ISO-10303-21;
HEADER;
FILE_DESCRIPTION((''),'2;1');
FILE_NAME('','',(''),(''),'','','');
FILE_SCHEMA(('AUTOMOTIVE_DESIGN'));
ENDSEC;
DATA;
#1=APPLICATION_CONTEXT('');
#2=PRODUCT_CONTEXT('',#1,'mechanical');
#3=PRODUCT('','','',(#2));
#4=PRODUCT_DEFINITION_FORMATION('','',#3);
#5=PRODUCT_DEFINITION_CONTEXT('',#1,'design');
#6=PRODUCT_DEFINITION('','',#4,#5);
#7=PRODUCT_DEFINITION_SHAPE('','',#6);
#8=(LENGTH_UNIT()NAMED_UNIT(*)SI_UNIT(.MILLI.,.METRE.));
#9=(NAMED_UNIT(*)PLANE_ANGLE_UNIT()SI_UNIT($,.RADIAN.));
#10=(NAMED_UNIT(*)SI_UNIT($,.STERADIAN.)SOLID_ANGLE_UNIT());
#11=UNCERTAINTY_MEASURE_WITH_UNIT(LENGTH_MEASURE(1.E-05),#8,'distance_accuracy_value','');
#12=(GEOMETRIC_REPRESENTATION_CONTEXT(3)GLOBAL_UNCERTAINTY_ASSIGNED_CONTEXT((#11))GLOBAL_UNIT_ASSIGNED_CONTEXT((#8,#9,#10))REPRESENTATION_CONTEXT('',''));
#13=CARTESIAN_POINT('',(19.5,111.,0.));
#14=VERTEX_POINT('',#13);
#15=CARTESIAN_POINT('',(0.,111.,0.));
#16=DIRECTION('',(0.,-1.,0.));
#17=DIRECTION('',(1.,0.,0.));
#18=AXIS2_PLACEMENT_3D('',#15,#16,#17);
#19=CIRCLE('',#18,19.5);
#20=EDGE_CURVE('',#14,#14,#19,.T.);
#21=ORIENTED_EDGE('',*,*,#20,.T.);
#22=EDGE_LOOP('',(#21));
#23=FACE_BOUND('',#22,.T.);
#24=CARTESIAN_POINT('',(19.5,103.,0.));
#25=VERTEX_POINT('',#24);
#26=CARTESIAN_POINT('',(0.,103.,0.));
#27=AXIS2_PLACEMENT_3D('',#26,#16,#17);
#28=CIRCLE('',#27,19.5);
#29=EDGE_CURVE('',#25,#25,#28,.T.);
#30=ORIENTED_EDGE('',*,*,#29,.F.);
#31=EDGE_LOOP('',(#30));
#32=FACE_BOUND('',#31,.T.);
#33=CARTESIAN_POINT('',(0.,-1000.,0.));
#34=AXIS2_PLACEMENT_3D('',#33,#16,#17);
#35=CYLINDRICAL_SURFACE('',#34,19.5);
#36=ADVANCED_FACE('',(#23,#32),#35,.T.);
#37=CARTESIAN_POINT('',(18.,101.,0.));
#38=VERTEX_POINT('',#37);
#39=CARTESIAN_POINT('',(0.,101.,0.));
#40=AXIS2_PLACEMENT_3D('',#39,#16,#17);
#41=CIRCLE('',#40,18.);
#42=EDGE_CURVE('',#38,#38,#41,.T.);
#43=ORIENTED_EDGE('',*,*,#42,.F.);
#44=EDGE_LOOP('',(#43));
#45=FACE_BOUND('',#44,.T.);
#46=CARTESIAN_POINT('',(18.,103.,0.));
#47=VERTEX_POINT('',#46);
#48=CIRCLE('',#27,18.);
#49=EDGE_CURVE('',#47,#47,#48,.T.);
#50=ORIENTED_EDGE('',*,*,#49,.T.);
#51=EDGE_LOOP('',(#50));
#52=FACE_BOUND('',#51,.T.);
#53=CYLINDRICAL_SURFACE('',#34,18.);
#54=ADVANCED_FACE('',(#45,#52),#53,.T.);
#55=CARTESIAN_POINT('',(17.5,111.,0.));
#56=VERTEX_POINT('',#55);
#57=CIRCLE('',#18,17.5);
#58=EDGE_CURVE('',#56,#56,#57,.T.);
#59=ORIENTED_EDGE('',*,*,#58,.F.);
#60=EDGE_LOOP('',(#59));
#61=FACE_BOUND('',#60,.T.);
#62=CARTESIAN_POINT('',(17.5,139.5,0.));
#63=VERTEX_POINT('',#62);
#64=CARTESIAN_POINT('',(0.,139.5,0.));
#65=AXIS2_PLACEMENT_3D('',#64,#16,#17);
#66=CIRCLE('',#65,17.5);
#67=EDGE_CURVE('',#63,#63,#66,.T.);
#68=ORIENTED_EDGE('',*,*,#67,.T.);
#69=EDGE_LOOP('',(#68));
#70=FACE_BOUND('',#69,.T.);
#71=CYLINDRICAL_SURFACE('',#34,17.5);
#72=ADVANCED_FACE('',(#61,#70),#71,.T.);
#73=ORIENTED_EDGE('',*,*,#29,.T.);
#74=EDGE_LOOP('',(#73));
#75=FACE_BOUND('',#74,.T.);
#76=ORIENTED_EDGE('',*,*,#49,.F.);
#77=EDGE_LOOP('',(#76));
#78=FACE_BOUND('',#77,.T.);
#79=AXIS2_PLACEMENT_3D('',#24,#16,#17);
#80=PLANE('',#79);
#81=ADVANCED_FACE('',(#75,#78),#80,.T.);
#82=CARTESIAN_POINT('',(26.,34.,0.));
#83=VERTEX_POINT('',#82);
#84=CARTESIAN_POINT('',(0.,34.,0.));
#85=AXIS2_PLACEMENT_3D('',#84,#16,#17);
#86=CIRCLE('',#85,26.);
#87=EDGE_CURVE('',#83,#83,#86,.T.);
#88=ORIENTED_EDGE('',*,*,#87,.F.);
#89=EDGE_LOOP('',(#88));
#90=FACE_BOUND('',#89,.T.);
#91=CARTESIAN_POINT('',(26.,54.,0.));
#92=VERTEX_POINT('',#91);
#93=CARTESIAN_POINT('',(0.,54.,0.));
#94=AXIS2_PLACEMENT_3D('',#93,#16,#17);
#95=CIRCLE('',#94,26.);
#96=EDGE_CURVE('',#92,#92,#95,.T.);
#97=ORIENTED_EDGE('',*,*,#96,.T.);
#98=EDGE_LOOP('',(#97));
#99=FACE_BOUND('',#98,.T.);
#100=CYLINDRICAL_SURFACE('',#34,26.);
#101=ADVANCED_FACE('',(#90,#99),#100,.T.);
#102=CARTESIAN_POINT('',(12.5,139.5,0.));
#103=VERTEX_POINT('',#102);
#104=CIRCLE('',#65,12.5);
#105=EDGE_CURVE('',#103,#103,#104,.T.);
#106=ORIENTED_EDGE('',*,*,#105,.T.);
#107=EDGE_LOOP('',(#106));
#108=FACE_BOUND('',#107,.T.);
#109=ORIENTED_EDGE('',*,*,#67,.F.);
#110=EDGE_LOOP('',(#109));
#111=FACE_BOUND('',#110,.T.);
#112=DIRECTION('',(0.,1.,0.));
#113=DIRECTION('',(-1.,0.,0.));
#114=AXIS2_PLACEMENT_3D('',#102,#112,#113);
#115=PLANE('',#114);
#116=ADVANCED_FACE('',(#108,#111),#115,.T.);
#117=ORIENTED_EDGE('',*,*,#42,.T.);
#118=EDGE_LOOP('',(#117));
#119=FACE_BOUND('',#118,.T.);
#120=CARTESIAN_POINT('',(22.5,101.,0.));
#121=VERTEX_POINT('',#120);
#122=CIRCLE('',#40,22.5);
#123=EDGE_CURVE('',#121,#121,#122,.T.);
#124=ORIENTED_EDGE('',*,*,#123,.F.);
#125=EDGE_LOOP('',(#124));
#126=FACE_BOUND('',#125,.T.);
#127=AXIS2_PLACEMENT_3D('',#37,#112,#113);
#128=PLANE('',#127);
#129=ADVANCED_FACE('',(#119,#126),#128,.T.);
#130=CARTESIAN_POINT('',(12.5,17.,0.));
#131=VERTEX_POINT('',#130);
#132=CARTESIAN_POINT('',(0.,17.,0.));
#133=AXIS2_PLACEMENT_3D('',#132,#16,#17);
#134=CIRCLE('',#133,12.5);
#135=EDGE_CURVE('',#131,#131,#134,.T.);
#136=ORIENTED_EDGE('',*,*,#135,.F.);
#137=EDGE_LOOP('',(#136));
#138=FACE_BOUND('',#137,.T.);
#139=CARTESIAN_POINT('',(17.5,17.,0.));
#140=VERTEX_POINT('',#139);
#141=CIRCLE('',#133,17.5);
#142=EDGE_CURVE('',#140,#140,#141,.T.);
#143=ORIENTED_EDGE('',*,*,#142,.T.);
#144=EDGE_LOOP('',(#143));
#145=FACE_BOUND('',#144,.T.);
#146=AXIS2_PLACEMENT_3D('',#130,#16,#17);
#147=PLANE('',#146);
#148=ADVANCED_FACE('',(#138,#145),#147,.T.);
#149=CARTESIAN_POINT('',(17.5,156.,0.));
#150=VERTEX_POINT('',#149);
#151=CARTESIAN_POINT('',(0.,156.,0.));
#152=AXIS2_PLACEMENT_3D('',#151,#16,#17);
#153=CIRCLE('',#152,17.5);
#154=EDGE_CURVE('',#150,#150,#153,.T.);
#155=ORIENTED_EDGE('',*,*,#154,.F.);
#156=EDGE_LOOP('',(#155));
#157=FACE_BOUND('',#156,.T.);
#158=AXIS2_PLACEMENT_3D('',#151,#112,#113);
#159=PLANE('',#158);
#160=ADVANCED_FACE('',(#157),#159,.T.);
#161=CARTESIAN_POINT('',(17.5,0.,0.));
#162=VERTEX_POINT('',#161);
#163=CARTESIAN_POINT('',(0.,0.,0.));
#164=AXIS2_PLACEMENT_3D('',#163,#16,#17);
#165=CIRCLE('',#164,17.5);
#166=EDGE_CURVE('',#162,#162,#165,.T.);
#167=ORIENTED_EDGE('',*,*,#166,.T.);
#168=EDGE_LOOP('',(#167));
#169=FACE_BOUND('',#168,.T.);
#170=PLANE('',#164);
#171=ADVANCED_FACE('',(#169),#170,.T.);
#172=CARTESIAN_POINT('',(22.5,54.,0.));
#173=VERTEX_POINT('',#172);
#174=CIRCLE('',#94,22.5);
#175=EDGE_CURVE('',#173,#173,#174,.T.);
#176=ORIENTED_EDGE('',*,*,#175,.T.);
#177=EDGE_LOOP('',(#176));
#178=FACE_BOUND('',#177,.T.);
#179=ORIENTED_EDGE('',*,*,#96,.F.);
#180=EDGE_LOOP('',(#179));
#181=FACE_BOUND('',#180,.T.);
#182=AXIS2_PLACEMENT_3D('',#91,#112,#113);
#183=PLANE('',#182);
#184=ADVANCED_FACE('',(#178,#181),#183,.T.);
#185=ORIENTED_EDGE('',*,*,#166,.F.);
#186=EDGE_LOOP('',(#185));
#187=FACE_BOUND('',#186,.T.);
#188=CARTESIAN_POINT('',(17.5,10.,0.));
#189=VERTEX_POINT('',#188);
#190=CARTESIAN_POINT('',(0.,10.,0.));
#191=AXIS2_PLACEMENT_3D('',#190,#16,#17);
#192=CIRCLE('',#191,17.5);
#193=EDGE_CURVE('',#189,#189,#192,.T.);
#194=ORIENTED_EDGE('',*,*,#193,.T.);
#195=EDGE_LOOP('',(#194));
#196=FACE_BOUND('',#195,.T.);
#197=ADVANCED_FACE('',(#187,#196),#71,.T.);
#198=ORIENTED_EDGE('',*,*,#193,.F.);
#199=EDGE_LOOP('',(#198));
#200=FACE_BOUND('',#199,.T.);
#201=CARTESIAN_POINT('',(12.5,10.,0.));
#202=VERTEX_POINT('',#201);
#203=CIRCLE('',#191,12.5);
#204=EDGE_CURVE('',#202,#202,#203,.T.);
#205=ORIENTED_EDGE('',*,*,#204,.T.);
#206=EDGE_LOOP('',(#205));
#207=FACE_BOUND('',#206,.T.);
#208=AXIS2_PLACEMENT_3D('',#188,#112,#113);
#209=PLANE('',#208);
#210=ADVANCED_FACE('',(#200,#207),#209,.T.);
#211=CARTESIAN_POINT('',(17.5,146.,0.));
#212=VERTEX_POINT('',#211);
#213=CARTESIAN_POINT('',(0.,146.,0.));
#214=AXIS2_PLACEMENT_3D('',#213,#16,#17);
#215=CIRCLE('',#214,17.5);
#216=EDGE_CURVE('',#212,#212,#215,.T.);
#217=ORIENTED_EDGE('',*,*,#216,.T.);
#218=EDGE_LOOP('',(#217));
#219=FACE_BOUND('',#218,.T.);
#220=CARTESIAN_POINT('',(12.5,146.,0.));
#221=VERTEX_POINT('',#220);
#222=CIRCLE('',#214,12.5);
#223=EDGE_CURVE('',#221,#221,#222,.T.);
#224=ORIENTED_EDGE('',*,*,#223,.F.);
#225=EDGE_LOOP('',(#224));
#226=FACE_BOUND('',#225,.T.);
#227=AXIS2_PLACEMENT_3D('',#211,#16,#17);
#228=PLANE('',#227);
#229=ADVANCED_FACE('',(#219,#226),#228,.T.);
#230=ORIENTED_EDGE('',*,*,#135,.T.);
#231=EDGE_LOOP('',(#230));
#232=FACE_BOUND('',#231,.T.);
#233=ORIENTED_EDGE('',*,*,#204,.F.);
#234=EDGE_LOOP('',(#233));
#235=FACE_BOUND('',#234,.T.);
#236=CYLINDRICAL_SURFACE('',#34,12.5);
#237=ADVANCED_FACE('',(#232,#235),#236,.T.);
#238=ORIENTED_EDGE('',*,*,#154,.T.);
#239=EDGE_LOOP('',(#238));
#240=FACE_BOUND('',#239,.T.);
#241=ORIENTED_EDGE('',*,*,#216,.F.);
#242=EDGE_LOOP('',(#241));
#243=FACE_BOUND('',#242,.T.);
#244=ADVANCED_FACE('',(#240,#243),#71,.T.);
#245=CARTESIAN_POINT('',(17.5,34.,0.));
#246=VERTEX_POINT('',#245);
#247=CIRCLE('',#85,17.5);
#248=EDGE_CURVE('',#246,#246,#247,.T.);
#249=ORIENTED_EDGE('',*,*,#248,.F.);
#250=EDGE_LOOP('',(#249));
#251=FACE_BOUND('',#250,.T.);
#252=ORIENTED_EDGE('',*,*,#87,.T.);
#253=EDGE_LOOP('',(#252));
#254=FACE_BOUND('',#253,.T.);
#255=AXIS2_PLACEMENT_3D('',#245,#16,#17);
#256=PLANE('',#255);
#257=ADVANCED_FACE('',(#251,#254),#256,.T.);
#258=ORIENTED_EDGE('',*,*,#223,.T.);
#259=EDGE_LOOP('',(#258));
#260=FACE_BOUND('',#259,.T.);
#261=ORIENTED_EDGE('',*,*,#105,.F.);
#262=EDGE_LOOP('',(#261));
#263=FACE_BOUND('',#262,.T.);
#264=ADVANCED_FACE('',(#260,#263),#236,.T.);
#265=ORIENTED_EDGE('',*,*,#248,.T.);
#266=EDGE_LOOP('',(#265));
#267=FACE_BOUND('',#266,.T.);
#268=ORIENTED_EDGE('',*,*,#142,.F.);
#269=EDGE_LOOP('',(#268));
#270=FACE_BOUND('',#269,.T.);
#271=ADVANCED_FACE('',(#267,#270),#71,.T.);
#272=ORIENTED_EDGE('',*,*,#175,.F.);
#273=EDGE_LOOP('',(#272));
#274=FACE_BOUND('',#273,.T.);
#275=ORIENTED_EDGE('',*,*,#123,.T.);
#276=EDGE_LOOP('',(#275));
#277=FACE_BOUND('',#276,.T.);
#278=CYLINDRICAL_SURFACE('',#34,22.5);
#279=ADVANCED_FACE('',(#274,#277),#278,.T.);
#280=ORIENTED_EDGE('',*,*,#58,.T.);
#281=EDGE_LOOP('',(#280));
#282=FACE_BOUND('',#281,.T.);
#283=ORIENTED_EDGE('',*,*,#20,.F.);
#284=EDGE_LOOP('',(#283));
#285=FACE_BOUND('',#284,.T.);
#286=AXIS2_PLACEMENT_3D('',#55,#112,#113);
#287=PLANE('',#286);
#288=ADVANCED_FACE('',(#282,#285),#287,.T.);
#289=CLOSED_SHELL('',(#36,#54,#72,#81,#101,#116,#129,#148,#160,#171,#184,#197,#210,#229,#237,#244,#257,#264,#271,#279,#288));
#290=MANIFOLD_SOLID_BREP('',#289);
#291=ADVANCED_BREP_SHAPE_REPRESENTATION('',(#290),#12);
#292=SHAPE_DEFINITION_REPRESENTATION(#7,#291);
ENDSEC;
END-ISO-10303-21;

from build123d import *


with BuildPart() as part:
    # 草图1 → 旋转1 (revolve)
    with BuildSketch(Plane.XY):
        Polygon((0, 0), (0, 156), (17.5, 156), (17.5, 146), (12.5, 146), (12.5, 139.5), (17.5, 139.5), (17.5, 111), (19.5, 111), (19.5, 103), (18, 103), (18, 101), (22.5, 101), (22.5, 54), (26, 54), (26, 34), (17.5, 34), (17.5, 17), (12.5, 17), (12.5, 10), (17.5, 10), (17.5, 0), align=None)
    revolve(axis=Axis((0, -1000, 0), (0, 1, 0)))


solid = part.part
